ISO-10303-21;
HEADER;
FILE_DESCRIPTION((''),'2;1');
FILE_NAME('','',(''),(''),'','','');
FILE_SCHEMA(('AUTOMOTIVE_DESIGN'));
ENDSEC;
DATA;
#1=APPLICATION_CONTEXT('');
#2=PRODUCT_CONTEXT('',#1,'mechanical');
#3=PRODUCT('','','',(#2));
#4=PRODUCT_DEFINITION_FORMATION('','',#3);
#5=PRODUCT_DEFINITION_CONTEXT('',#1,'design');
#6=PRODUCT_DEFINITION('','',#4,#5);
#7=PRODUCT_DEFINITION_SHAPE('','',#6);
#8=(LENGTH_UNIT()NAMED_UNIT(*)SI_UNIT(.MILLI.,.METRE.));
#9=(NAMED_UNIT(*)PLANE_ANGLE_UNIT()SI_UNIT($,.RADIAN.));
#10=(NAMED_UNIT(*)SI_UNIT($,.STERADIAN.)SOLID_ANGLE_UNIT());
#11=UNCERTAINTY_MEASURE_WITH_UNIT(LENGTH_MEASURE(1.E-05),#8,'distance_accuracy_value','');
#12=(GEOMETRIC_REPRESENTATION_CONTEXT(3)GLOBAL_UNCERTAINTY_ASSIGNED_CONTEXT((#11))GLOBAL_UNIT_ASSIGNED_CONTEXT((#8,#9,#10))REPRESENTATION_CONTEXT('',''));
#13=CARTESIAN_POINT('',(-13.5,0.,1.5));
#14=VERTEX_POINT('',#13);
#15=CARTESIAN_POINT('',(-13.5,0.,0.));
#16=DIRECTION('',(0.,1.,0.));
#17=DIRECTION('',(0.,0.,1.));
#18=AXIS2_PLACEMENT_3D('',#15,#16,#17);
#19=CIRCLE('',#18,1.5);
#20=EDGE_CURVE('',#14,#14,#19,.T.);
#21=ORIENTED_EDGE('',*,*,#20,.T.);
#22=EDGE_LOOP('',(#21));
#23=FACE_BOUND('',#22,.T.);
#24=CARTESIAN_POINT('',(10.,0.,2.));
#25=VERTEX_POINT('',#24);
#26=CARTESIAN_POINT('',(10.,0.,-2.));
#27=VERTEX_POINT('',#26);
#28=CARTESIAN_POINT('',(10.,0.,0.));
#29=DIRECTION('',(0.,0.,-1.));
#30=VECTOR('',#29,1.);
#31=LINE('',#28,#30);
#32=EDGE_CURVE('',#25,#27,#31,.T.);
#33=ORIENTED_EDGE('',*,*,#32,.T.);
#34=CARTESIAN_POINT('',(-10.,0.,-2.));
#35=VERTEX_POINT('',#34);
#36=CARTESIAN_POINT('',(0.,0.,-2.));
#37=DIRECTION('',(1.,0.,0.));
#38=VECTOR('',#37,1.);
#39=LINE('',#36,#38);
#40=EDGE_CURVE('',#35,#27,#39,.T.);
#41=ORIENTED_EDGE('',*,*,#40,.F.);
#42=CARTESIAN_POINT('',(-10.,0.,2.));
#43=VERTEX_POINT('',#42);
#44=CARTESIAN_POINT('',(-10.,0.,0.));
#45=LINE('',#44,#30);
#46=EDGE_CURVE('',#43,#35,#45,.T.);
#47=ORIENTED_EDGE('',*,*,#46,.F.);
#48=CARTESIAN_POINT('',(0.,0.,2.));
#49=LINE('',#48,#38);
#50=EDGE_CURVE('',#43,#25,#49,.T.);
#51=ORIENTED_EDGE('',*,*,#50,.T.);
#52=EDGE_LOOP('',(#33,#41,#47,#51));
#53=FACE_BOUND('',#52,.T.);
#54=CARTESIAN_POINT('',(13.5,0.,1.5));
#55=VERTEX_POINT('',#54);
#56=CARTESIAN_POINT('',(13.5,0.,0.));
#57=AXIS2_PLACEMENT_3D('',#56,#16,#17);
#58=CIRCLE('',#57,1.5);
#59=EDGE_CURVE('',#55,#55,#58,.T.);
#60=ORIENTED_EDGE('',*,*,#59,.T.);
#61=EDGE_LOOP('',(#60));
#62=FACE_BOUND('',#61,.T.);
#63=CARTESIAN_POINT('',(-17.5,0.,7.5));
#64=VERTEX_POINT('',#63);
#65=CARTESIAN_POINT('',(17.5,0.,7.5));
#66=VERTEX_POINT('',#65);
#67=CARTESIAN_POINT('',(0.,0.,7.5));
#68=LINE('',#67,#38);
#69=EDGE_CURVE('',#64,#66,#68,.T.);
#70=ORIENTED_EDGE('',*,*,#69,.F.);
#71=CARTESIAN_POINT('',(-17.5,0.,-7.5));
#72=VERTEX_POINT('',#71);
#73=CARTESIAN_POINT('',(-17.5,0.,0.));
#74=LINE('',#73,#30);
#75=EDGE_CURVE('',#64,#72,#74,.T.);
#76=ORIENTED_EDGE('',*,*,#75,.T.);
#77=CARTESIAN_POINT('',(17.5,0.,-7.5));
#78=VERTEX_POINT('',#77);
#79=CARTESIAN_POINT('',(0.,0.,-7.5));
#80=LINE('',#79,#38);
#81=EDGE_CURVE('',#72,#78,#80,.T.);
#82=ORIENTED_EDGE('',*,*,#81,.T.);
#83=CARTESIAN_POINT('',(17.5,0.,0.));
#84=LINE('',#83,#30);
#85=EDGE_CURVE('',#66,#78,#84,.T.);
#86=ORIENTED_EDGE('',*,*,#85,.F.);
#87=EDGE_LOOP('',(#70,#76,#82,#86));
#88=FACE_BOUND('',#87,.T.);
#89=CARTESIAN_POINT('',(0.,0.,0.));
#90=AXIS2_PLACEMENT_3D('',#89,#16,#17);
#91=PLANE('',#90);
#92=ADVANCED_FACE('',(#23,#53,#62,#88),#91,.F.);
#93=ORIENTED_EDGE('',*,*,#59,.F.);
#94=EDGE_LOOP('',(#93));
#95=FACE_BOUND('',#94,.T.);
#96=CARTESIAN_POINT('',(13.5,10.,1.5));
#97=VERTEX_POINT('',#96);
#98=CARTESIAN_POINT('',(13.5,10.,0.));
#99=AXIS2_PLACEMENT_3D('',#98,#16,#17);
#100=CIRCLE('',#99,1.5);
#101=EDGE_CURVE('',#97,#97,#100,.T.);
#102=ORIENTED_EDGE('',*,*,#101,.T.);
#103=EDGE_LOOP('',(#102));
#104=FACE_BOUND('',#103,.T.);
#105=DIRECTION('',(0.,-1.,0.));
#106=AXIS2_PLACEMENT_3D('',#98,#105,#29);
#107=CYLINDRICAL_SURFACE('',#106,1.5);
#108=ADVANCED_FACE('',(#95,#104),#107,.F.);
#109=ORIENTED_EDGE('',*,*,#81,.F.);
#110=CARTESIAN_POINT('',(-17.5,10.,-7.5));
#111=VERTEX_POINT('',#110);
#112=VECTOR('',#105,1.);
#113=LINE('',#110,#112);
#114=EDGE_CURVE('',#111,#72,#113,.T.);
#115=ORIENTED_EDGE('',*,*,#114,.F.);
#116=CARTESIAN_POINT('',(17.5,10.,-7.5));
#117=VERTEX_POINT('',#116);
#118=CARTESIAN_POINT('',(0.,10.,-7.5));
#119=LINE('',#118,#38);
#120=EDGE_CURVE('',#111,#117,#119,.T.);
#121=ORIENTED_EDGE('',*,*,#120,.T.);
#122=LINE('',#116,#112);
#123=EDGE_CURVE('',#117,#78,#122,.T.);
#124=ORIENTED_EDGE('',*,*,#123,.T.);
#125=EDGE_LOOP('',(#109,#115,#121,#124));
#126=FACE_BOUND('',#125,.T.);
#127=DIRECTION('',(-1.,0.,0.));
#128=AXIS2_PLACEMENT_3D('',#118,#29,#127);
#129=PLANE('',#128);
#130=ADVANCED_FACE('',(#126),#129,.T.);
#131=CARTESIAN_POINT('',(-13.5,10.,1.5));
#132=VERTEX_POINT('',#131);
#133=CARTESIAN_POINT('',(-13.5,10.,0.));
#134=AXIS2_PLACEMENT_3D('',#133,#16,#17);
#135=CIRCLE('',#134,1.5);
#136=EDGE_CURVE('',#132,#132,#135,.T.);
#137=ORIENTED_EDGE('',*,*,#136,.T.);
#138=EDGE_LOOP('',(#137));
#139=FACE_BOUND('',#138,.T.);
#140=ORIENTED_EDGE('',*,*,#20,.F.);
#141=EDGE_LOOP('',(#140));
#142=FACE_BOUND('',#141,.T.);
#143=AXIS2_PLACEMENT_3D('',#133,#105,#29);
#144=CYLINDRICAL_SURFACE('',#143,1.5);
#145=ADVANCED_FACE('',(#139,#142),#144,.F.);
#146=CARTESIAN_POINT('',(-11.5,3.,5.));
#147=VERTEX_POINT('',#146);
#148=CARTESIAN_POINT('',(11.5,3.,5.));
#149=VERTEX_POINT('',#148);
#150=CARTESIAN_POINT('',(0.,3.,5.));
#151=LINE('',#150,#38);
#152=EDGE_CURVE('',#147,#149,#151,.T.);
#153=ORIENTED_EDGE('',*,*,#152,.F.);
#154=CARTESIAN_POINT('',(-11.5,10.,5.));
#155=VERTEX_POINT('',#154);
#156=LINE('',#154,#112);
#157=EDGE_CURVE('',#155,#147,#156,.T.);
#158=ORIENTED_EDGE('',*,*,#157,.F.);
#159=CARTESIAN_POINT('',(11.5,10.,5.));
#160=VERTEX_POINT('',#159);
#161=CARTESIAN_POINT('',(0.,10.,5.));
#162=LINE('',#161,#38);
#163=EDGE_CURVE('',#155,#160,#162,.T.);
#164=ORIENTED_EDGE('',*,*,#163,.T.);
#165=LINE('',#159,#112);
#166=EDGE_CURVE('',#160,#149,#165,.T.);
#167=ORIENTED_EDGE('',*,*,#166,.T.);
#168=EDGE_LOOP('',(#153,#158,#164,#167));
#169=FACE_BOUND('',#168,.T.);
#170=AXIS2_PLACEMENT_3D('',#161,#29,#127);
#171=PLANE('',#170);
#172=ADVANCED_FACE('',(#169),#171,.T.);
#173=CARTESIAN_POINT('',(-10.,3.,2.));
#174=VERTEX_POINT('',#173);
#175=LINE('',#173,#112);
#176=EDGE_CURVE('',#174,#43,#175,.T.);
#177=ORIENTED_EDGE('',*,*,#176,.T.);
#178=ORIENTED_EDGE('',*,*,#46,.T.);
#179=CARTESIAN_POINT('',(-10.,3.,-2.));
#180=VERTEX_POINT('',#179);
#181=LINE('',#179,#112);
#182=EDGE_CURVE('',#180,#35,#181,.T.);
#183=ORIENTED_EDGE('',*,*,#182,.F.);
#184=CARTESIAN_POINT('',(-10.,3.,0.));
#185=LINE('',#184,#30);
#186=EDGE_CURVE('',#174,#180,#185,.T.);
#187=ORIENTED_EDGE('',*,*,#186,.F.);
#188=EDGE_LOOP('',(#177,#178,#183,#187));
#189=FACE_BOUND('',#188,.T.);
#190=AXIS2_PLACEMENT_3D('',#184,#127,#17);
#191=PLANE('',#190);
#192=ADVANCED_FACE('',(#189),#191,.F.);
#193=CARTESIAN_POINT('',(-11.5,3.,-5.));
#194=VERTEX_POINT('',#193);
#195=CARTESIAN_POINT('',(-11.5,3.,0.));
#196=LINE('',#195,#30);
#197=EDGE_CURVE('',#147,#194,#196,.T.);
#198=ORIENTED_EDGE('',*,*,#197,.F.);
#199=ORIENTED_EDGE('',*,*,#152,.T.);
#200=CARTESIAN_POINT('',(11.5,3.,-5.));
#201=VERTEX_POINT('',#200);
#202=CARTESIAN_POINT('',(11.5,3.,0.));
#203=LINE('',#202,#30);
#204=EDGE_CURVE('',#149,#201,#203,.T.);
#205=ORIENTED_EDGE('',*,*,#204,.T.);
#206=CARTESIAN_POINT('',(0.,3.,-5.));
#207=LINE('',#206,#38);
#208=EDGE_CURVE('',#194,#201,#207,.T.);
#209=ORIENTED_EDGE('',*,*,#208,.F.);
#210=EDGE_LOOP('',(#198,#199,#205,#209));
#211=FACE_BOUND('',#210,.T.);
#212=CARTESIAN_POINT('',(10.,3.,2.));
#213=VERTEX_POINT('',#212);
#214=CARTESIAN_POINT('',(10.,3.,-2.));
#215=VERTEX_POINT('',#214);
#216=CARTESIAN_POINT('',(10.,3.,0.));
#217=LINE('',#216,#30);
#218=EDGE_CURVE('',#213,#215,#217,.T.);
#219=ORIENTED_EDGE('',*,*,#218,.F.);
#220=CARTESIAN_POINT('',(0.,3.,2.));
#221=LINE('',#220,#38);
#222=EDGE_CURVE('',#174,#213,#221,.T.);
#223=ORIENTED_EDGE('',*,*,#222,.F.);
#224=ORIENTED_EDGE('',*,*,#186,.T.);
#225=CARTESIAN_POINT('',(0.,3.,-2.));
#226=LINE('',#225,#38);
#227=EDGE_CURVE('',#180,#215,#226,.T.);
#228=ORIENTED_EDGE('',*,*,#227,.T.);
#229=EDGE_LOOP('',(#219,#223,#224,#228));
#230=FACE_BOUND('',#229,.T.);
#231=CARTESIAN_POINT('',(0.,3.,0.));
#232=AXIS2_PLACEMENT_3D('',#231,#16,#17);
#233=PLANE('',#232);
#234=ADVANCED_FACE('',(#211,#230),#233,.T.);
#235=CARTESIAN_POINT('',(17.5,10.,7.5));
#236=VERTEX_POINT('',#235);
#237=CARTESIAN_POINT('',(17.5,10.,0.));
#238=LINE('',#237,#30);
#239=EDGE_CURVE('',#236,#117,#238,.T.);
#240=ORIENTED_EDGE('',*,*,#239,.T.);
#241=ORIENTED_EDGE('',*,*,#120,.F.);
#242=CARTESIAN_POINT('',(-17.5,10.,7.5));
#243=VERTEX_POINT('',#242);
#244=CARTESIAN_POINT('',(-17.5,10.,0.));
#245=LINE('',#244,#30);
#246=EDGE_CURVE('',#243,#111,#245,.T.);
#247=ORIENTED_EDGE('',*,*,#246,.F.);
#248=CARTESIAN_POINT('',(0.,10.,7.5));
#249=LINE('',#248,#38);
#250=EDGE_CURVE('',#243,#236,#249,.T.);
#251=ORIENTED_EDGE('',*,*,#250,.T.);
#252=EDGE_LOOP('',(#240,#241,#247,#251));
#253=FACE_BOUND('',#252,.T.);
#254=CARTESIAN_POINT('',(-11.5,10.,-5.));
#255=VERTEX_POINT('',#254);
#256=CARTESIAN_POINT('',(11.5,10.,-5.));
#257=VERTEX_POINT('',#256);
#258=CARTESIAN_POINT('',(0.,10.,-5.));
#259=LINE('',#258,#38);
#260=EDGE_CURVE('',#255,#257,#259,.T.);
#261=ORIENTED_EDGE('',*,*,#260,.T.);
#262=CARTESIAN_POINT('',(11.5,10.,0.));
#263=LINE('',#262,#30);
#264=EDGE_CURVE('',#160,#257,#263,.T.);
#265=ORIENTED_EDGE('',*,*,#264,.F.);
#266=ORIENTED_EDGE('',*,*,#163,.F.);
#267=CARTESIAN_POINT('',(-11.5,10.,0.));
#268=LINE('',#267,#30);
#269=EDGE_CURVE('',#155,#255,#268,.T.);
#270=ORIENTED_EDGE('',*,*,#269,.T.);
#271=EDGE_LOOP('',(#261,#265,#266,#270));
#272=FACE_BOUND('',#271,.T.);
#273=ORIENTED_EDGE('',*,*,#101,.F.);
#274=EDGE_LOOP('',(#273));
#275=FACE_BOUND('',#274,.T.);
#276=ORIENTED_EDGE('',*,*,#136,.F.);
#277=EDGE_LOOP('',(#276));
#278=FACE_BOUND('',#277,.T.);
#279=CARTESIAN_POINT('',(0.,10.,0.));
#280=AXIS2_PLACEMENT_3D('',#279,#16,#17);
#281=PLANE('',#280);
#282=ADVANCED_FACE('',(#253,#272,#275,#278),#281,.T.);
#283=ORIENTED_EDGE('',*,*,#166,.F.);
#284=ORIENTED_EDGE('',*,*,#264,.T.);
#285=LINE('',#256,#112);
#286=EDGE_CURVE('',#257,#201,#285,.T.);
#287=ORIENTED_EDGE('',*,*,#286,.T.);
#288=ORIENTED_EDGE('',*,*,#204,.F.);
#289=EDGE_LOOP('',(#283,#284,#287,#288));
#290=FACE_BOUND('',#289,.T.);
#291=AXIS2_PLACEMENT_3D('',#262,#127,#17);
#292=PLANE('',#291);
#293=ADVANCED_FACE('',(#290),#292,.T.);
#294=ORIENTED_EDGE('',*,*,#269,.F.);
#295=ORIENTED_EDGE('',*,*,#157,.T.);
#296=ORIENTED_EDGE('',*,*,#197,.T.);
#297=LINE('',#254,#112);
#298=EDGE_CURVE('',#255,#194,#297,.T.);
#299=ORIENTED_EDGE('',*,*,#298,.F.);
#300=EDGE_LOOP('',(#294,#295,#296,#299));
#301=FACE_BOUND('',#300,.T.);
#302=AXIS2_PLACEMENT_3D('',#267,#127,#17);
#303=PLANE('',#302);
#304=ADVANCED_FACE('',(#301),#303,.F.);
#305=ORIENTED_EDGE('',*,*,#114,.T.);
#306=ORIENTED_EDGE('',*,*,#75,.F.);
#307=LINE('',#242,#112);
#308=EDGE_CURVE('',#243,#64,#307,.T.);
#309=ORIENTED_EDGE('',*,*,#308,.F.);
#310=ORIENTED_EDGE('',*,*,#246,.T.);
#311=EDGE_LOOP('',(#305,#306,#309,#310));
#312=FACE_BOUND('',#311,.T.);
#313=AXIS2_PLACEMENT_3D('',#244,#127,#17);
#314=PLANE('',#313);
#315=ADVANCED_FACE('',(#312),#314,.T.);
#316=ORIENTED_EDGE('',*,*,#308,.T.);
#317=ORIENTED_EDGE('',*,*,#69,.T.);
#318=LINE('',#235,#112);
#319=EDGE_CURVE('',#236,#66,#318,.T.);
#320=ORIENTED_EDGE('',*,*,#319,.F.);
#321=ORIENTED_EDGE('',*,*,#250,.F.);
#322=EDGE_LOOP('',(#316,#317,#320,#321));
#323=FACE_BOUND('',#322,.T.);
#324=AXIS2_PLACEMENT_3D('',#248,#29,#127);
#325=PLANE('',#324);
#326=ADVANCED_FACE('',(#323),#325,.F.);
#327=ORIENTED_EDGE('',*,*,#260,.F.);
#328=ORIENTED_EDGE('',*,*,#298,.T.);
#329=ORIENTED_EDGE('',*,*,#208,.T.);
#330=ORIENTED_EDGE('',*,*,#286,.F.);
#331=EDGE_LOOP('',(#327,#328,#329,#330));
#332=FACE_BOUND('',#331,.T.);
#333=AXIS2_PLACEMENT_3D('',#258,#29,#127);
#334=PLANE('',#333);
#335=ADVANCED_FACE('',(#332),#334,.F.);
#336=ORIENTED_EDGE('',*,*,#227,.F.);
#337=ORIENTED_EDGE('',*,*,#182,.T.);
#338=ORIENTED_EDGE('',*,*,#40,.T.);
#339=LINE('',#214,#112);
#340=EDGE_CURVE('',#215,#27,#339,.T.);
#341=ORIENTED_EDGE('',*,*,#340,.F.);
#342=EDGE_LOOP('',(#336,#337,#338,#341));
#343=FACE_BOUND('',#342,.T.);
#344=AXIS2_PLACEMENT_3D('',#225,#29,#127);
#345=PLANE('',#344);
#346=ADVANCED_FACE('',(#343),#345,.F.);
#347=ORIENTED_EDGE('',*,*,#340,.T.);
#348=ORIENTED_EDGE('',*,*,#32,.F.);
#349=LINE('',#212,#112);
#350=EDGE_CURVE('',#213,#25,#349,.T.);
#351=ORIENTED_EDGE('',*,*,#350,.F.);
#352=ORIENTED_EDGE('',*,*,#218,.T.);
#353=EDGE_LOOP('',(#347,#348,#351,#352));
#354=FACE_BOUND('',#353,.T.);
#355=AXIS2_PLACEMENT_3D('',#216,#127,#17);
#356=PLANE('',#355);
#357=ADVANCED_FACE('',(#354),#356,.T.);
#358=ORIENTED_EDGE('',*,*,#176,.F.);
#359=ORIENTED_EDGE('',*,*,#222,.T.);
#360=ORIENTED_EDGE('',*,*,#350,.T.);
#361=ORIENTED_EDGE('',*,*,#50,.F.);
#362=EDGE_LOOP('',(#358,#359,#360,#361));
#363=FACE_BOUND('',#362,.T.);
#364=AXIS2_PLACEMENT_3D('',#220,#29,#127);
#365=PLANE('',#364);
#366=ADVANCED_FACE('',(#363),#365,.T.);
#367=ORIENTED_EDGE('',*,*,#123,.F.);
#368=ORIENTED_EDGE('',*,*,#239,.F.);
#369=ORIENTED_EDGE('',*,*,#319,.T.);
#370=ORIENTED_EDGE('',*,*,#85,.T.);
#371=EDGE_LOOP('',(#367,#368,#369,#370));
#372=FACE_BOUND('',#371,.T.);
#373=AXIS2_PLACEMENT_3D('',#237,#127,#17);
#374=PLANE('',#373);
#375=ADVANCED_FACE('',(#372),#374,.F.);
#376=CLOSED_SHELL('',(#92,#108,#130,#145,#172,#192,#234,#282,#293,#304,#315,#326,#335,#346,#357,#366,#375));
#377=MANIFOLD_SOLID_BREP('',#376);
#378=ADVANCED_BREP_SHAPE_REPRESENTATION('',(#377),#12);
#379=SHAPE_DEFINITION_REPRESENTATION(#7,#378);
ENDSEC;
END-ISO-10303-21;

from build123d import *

# Parameters (mm, degrees)
SKETCH_1_W      = 35
SKETCH_1_H      = 15
SKETCH_1_R      = 1.5
SKETCH_1_W_2    = 23
SKETCH_1_H_2    = 10
EXTRUDE_1_DEPTH = 10
SKETCH_1_3_W    = 23
SKETCH_1_3_H    = 10
SKETCH_1_3_W_2  = 20
SKETCH_1_3_H_2  = 4
EXTRUDE_2_DEPTH = 3


with BuildPart() as part:
    # Эскиз1 → Бобышка-Вытянуть1 (new body)
    with BuildSketch(Plane(origin=(0, 0, 0), x_dir=(1, 0, 0), z_dir=(0, 1, 0))):
        Rectangle(SKETCH_1_W, SKETCH_1_H)
        with Locations((-13.5, 0)):
            Circle(SKETCH_1_R, mode=Mode.SUBTRACT)
        Rectangle(SKETCH_1_W_2, SKETCH_1_H_2, mode=Mode.SUBTRACT)
        with Locations((13.5, 0)):
            Circle(SKETCH_1_R, mode=Mode.SUBTRACT)
    extrude(amount=EXTRUDE_1_DEPTH)

    # Эскиз1<3> → Бобышка-Вытянуть2 (add)
    with BuildSketch(Plane(origin=(0, 0, 0), x_dir=(1, 0, 0), z_dir=(0, 1, 0))):
        Rectangle(SKETCH_1_3_W, SKETCH_1_3_H)
        Rectangle(SKETCH_1_3_W_2, SKETCH_1_3_H_2, mode=Mode.SUBTRACT)
    extrude(amount=EXTRUDE_2_DEPTH)


solid = part.part
